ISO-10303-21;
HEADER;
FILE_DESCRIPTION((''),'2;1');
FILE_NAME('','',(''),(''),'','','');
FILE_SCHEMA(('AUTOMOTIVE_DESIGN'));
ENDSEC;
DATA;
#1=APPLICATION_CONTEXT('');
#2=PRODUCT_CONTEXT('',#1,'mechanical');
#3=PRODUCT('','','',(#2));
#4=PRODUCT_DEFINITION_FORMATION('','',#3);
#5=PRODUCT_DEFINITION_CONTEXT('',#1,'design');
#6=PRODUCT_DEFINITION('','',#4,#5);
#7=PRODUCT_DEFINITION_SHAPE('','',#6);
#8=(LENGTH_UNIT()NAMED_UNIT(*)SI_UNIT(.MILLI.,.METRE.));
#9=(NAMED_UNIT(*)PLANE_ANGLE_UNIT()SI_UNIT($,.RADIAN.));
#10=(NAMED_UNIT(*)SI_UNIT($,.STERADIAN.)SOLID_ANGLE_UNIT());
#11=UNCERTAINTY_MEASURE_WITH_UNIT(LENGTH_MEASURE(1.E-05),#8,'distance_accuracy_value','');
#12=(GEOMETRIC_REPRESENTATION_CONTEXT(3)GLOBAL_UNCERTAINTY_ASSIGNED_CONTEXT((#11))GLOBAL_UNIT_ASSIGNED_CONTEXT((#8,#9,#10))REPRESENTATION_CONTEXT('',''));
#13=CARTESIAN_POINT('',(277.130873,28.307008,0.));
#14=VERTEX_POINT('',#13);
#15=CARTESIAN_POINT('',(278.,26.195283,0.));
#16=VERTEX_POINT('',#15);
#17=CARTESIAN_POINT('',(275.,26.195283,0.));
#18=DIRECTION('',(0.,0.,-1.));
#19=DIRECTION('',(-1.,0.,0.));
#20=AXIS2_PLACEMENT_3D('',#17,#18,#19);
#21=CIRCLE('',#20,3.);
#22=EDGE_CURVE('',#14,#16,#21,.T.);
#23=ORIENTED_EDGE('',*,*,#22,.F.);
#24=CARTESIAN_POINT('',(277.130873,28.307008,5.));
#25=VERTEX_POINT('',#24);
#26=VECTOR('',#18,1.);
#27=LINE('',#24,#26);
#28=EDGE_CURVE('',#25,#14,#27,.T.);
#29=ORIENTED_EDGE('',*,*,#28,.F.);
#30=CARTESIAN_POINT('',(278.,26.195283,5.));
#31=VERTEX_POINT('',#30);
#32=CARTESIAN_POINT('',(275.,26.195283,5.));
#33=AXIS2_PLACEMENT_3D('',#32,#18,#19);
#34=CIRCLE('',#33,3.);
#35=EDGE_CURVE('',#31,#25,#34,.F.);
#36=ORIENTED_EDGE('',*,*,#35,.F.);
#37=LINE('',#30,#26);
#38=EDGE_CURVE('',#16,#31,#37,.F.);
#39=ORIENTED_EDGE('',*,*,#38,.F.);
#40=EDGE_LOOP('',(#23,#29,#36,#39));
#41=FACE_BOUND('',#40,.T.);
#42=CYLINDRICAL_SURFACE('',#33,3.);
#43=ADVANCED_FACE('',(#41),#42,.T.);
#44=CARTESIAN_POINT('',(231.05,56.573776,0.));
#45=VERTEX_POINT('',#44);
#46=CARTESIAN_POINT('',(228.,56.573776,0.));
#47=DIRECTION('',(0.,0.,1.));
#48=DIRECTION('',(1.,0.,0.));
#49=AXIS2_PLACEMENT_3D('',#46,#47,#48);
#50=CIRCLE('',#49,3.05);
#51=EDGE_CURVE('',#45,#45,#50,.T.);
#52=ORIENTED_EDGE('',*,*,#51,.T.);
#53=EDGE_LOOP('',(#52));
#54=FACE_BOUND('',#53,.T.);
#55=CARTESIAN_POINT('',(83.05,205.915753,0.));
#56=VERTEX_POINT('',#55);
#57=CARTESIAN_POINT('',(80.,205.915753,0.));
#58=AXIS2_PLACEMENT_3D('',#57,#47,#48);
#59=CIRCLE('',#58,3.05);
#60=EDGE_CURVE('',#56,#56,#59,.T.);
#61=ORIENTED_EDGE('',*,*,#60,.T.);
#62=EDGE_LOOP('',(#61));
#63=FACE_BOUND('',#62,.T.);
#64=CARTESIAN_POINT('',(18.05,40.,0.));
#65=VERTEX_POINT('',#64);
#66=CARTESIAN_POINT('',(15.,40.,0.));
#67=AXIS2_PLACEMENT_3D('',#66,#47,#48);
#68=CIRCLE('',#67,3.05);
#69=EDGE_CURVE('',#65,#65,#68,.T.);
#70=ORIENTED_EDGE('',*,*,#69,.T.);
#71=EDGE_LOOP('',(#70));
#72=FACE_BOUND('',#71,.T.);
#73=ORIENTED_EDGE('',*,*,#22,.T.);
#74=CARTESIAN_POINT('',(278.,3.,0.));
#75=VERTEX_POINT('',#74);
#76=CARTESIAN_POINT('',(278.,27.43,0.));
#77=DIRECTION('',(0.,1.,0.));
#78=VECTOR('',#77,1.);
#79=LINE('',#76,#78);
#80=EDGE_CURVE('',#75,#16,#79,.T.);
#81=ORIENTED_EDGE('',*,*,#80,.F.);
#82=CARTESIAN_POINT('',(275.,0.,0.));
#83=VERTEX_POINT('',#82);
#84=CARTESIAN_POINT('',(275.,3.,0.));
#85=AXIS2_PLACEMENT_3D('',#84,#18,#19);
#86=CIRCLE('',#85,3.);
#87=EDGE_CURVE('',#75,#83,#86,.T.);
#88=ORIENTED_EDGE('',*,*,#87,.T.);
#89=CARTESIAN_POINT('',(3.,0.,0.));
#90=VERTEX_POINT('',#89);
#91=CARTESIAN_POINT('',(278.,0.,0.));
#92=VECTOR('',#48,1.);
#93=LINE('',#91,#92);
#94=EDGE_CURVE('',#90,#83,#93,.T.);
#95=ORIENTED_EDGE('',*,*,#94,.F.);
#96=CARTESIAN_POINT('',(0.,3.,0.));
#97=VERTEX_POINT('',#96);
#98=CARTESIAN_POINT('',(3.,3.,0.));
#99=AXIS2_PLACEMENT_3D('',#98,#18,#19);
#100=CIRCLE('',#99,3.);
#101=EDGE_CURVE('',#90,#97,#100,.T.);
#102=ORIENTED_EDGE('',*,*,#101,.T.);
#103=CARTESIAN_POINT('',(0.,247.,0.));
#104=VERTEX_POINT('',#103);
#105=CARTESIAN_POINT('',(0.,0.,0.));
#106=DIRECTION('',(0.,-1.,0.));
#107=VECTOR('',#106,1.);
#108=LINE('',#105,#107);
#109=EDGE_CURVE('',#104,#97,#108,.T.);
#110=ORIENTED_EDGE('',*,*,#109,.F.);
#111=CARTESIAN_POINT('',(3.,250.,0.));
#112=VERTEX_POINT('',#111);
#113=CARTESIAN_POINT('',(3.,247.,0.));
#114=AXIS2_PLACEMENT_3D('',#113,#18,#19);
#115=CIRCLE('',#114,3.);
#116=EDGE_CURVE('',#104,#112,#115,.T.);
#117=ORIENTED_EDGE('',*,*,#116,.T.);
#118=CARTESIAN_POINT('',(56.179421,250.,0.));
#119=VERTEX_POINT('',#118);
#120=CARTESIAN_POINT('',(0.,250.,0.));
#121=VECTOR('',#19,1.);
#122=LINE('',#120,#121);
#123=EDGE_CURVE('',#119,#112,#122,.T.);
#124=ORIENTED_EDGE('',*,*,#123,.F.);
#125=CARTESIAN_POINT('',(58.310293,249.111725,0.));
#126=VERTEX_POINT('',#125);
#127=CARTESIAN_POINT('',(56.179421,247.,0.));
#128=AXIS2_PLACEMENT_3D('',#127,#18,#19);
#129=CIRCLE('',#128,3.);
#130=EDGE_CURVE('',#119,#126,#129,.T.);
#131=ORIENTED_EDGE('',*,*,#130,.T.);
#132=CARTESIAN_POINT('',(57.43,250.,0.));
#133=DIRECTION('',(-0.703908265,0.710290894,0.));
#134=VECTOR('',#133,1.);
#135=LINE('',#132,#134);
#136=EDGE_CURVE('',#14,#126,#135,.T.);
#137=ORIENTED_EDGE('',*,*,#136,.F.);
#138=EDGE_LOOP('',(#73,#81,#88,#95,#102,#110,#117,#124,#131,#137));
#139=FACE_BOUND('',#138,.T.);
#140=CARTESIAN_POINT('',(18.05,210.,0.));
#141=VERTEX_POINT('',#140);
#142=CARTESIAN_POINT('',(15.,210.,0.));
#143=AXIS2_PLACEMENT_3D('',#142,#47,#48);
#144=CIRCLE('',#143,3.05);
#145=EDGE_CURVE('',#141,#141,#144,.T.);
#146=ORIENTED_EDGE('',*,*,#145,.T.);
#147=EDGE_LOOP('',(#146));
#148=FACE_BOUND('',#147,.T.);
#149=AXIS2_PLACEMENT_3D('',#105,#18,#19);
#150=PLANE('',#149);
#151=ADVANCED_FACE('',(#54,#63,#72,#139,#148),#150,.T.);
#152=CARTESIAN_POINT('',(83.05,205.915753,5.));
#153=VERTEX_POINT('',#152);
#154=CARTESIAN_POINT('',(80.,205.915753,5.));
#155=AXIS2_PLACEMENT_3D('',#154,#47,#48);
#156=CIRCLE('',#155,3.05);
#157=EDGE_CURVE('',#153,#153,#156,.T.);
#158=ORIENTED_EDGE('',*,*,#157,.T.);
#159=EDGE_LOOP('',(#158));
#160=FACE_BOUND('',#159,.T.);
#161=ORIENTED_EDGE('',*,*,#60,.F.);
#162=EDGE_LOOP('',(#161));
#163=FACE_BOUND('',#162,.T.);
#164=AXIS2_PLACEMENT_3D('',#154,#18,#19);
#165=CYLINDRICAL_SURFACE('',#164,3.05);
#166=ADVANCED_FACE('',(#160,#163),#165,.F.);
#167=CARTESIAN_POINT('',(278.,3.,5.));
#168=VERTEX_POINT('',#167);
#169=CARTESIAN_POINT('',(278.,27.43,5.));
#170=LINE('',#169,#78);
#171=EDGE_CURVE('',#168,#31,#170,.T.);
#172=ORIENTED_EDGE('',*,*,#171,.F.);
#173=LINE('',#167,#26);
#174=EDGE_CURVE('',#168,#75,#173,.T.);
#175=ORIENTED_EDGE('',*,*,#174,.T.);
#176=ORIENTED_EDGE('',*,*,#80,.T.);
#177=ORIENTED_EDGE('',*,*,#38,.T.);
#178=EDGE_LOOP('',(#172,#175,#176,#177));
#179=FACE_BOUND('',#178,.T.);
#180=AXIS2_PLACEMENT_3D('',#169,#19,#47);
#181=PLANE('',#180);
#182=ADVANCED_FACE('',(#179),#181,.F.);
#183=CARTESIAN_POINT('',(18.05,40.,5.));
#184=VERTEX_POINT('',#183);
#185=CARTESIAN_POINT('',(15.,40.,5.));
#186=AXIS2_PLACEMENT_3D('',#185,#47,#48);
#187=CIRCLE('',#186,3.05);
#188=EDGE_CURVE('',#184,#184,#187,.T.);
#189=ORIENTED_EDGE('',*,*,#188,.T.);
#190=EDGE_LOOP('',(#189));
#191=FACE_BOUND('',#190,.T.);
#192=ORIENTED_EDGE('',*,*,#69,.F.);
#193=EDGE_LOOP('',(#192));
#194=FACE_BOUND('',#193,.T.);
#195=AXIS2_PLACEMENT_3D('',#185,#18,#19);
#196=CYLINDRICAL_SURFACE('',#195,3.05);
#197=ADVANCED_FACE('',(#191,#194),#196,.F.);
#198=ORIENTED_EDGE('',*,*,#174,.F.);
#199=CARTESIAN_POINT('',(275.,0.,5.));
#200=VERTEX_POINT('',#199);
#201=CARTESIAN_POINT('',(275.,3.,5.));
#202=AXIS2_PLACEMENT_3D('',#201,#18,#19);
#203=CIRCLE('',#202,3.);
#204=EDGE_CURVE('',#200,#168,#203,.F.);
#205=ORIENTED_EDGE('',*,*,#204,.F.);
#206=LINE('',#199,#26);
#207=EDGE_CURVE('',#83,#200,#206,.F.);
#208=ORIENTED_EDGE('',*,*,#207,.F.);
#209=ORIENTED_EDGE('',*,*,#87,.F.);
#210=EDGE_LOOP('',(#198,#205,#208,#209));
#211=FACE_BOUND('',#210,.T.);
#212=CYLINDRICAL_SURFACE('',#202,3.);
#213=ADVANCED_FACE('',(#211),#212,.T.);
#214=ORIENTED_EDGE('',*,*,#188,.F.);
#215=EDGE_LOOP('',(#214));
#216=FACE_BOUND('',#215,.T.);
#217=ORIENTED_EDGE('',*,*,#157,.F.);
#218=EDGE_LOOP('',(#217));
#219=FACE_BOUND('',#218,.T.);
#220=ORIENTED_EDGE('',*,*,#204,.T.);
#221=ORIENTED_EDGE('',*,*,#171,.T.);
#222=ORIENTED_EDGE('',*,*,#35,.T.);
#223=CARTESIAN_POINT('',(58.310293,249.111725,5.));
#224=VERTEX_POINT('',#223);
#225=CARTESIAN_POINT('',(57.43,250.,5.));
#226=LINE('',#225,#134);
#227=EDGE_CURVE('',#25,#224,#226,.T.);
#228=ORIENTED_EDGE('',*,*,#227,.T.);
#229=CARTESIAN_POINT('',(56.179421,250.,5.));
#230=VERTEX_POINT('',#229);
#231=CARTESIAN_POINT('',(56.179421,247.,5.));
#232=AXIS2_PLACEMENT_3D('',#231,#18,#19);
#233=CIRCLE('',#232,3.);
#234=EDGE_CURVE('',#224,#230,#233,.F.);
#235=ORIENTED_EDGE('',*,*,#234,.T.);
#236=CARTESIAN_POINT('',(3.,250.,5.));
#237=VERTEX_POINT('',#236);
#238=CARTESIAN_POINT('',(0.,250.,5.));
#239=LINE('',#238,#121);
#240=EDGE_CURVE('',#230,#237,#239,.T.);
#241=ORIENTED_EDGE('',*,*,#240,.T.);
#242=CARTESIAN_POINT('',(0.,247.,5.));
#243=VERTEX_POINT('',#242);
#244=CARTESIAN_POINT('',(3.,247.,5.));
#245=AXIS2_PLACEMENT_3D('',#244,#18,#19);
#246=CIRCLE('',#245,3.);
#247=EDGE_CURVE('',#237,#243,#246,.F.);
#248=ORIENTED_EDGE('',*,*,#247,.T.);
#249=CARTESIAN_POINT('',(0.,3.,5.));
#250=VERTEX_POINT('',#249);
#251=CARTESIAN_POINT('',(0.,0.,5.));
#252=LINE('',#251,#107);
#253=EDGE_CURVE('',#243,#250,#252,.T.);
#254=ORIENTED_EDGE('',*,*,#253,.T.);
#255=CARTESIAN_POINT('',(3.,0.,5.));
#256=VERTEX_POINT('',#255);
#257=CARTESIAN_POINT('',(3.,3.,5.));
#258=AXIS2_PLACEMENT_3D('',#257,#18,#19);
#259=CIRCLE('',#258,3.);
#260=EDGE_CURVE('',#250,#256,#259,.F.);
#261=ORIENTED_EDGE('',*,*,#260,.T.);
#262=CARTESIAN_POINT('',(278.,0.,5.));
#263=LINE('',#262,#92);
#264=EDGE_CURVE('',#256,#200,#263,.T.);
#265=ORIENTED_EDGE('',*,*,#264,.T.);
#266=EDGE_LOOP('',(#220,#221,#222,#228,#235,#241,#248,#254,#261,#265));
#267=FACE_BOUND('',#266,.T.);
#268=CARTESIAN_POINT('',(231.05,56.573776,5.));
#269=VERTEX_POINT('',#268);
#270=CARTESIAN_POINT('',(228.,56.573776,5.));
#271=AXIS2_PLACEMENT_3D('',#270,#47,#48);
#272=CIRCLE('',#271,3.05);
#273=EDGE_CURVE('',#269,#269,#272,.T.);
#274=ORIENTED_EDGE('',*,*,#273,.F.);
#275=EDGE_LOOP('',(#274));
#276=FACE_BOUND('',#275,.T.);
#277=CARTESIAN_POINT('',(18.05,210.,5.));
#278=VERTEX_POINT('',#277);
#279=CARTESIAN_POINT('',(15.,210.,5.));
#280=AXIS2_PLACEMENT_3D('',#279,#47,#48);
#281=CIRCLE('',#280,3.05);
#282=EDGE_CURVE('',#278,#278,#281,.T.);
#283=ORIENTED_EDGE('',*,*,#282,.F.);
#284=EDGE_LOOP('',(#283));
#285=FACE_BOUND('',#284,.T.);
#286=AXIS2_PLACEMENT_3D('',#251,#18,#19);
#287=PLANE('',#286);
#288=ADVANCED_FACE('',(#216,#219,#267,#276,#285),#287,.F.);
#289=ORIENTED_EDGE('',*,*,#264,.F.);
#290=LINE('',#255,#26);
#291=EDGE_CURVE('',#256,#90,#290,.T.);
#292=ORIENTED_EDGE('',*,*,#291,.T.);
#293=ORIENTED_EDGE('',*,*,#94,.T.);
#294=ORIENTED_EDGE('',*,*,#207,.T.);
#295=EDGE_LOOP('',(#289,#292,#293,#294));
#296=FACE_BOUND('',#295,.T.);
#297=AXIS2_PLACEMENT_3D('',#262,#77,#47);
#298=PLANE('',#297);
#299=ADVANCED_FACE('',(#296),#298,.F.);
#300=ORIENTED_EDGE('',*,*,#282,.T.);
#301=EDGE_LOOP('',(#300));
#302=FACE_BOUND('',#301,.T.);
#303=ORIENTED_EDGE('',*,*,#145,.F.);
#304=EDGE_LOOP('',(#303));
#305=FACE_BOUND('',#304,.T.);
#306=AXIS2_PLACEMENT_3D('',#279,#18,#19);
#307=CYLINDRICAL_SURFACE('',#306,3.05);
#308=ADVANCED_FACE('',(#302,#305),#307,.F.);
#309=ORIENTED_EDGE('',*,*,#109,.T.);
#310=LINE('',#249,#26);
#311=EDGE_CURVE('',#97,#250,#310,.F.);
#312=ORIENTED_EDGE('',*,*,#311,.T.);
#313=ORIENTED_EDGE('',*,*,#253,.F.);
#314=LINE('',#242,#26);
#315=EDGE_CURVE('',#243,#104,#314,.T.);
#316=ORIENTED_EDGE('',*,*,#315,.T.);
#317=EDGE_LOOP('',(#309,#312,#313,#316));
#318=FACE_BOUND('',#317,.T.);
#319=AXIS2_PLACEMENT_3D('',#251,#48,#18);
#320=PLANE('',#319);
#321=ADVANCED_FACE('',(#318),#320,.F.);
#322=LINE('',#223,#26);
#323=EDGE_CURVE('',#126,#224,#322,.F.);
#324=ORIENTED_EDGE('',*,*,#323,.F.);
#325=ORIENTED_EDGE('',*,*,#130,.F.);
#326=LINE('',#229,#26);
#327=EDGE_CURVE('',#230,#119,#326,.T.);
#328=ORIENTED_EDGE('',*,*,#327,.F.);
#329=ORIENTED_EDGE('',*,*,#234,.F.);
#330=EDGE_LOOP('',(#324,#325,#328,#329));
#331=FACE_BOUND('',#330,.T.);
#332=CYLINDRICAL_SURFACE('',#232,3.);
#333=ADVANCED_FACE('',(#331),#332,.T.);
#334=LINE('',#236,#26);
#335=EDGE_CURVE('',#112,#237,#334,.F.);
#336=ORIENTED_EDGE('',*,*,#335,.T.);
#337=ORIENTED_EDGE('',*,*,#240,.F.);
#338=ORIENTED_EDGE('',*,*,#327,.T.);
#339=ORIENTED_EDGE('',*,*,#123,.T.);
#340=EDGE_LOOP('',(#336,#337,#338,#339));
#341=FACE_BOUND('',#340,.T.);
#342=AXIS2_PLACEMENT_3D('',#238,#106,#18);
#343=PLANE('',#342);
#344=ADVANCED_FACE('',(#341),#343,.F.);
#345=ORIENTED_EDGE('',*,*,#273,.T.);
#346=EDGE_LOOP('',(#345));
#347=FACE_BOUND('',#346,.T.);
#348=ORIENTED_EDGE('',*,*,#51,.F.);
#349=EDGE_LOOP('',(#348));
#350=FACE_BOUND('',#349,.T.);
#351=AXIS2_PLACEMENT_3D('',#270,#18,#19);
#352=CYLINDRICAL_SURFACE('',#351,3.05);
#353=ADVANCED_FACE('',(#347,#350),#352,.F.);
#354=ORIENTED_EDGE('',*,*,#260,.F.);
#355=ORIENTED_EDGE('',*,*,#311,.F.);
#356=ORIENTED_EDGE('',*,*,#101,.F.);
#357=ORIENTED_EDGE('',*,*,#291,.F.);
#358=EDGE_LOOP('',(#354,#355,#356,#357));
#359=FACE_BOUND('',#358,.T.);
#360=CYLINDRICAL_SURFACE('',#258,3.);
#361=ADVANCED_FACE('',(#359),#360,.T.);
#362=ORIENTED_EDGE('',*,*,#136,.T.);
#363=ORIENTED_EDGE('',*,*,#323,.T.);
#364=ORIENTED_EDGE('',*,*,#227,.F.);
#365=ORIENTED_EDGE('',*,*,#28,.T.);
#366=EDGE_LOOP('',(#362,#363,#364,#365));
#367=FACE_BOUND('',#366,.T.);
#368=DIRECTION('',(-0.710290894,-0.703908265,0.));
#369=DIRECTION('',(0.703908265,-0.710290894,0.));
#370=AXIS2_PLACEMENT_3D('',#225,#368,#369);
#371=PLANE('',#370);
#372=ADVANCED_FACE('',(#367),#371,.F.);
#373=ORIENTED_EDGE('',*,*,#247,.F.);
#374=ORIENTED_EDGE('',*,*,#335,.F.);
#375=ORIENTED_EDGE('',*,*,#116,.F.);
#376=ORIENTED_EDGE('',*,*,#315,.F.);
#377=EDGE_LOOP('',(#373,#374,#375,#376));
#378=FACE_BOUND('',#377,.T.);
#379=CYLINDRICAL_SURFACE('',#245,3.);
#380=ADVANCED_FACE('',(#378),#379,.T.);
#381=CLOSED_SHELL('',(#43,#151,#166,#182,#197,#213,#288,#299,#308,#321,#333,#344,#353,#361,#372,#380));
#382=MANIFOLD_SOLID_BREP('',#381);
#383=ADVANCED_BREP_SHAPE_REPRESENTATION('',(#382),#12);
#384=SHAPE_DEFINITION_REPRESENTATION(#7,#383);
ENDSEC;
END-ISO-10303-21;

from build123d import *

# Parameters (mm, degrees)
SKETCH1_R           = 3.05
BOSS_EXTRUDE1_DEPTH = 5
FILLET1_R           = 3


with BuildPart() as part:
    # Sketch1 → Boss-Extrude1 (new body)
    with BuildSketch(Plane.XY):
        Polygon((0, 0), (0, 250), (57.43, 250), (278, 27.43), (278, 0), align=None)
        with Locations((15, 210)):
            Circle(SKETCH1_R, mode=Mode.SUBTRACT)
        with Locations((15, 40)):
            Circle(SKETCH1_R, mode=Mode.SUBTRACT)
        with Locations((80, 205.915753479)):
            Circle(SKETCH1_R, mode=Mode.SUBTRACT)
        with Locations((228, 56.573775875)):
            Circle(SKETCH1_R, mode=Mode.SUBTRACT)
    extrude(amount=BOSS_EXTRUDE1_DEPTH)

    # Fillet1
    fillet1_edges = [part.edges().sort_by_distance(p)[0] for p in [
        (0, 0, 2.5),
        (0, 250, 2.5),
        (57.43, 250, 2.5),
        (278, 27.43, 2.5),
        (278, 0, 2.5),
    ]]
    fillet(fillet1_edges, radius=FILLET1_R)


solid = part.part
